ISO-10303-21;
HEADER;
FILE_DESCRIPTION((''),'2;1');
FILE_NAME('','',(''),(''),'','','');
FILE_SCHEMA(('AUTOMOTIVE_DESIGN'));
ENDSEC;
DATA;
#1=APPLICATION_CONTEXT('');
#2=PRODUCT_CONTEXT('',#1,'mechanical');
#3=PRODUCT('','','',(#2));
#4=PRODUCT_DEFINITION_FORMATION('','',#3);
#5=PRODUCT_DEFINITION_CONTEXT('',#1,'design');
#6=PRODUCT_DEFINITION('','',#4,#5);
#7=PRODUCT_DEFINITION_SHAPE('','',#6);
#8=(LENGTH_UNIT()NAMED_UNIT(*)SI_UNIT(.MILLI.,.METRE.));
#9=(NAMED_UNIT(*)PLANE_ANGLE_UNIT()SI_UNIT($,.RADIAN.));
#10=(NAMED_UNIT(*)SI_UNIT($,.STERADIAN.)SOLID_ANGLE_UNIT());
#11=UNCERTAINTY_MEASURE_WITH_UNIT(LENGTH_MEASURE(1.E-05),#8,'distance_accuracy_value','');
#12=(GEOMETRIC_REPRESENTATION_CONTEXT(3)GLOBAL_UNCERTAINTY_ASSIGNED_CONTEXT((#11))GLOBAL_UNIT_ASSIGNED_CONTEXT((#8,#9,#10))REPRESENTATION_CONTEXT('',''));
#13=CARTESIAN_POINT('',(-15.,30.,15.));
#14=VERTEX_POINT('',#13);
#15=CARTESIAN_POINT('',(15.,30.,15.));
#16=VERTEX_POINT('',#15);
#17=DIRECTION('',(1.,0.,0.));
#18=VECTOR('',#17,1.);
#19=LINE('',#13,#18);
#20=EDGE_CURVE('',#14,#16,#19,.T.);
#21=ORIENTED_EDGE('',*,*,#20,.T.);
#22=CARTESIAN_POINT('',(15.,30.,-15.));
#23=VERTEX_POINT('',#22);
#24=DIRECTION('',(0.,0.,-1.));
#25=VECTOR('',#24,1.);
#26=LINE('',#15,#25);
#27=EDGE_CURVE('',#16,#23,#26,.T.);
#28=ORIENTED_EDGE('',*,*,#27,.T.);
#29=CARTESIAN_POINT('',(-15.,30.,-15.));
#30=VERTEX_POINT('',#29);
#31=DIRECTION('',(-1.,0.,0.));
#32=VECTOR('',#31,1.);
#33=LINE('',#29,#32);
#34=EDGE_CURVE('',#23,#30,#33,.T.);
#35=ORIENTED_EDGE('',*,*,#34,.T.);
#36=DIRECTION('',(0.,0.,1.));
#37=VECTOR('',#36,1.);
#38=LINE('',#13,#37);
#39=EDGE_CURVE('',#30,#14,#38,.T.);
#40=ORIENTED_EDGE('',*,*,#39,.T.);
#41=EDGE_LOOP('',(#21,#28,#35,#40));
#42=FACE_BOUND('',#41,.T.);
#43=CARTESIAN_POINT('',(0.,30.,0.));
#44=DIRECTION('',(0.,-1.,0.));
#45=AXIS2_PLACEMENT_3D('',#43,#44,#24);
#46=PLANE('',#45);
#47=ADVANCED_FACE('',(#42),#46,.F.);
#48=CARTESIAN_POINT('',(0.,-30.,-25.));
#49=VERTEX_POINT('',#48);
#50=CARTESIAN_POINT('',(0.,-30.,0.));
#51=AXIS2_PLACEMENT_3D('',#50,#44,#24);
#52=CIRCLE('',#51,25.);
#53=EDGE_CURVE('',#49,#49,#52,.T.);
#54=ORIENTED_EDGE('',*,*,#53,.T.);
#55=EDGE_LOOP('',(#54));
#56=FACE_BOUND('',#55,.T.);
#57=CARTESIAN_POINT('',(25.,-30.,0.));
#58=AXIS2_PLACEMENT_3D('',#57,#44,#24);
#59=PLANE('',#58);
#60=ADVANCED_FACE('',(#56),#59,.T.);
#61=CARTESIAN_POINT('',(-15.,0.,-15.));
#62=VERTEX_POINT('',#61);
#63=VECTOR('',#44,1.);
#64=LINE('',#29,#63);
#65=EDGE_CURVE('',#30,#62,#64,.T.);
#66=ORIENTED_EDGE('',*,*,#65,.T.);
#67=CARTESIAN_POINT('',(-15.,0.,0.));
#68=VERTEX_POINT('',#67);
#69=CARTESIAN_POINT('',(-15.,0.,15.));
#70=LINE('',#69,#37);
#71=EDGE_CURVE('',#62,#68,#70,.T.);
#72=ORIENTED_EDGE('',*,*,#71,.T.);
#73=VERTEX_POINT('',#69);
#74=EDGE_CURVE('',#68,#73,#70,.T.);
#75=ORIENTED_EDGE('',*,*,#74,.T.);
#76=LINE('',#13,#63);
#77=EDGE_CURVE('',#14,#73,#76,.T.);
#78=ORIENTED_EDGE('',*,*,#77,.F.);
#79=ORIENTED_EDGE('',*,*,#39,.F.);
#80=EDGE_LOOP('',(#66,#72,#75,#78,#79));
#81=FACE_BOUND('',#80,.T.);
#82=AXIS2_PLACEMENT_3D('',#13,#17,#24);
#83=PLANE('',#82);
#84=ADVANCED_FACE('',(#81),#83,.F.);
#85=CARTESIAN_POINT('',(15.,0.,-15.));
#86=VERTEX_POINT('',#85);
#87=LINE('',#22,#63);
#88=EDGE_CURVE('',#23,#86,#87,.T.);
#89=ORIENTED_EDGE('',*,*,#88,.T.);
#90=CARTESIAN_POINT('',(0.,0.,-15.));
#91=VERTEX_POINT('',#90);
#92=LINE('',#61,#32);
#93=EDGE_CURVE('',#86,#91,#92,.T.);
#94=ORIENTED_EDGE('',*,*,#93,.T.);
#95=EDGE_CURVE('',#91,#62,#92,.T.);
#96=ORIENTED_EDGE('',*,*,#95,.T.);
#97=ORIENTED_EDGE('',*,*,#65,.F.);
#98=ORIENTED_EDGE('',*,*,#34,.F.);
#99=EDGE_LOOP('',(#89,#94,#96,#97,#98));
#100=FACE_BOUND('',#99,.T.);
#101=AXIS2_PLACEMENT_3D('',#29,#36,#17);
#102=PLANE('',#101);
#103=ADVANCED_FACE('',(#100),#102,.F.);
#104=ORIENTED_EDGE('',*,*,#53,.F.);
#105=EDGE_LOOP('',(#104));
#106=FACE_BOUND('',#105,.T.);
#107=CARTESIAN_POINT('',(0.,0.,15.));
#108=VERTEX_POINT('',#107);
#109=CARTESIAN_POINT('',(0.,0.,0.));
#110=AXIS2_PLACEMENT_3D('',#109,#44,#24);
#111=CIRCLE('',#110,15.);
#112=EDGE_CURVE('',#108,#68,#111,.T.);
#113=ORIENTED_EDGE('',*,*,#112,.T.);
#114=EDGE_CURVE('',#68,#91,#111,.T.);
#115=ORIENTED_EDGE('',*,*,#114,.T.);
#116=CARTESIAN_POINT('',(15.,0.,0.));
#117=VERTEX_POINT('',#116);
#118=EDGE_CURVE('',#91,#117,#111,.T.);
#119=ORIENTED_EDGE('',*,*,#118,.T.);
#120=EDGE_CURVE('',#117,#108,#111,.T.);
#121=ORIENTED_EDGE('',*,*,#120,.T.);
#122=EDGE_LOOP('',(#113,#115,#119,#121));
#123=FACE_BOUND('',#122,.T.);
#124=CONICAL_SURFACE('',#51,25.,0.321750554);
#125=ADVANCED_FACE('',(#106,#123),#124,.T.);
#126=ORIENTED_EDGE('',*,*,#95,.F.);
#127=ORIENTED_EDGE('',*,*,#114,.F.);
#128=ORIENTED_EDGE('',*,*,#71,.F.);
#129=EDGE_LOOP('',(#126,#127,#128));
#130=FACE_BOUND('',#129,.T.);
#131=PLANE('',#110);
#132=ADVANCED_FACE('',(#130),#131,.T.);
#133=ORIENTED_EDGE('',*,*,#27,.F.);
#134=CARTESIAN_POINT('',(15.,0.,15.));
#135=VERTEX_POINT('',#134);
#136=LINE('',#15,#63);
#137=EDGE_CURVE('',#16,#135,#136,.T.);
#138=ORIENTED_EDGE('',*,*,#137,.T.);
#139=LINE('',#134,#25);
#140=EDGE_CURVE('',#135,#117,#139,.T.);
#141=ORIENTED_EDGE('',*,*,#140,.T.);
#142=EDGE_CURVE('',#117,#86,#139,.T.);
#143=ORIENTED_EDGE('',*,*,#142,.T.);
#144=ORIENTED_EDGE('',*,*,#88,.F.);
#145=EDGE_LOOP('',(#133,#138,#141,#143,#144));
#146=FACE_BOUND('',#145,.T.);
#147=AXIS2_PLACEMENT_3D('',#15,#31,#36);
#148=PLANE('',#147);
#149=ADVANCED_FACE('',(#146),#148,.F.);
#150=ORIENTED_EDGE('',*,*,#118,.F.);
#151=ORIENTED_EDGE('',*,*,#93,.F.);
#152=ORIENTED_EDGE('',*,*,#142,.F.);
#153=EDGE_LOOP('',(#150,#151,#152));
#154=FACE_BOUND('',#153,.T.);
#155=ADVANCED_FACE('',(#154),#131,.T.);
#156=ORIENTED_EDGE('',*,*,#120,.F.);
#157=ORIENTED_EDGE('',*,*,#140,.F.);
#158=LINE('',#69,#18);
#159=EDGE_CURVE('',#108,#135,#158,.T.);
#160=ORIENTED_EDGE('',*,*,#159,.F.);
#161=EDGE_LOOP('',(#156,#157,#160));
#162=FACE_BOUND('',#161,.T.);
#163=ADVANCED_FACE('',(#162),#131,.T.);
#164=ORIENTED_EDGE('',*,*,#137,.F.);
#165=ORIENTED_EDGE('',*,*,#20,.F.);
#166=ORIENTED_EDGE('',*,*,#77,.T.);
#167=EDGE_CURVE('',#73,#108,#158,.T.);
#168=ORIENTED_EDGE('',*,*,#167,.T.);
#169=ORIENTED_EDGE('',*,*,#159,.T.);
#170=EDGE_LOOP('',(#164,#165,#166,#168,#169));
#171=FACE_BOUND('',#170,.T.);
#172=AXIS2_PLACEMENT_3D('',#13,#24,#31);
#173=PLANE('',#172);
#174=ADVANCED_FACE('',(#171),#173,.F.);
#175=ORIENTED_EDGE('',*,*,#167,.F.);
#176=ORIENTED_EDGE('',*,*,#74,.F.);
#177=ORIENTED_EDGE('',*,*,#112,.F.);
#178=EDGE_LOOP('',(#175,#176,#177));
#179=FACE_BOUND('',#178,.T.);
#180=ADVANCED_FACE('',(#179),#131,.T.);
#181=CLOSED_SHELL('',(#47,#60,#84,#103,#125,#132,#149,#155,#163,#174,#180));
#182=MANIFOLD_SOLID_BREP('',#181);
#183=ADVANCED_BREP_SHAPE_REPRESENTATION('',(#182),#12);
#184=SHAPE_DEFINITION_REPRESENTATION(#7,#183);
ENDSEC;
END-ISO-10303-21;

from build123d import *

# Parameters (mm, degrees)
SKETCH_2_W      = 30
SKETCH_2_H      = 30
EXTRUDE_1_DEPTH = 30


with BuildPart() as part:
    # 草图2 → 凸台-拉伸1 (new body)
    with BuildSketch(Plane(origin=(0, 0, 0), x_dir=(1, 0, 0), z_dir=(0, 1, 0))):
        Rectangle(SKETCH_2_W, SKETCH_2_H)
    extrude(amount=EXTRUDE_1_DEPTH)

    # 草图3 → 旋转1 (revolve)
    with BuildSketch(Plane.XY, mode=Mode.PRIVATE) as revolve_1_sk:
        Polygon((0, 0), (15, 0), (25, -30), (0, -30), align=None)
    revolve(revolve_1_sk.sketch.rotate(Axis((0, -30, 0), (0, 1, 0)), 90), axis=Axis((0, -30, 0), (0, 1, 0)))


solid = part.part
